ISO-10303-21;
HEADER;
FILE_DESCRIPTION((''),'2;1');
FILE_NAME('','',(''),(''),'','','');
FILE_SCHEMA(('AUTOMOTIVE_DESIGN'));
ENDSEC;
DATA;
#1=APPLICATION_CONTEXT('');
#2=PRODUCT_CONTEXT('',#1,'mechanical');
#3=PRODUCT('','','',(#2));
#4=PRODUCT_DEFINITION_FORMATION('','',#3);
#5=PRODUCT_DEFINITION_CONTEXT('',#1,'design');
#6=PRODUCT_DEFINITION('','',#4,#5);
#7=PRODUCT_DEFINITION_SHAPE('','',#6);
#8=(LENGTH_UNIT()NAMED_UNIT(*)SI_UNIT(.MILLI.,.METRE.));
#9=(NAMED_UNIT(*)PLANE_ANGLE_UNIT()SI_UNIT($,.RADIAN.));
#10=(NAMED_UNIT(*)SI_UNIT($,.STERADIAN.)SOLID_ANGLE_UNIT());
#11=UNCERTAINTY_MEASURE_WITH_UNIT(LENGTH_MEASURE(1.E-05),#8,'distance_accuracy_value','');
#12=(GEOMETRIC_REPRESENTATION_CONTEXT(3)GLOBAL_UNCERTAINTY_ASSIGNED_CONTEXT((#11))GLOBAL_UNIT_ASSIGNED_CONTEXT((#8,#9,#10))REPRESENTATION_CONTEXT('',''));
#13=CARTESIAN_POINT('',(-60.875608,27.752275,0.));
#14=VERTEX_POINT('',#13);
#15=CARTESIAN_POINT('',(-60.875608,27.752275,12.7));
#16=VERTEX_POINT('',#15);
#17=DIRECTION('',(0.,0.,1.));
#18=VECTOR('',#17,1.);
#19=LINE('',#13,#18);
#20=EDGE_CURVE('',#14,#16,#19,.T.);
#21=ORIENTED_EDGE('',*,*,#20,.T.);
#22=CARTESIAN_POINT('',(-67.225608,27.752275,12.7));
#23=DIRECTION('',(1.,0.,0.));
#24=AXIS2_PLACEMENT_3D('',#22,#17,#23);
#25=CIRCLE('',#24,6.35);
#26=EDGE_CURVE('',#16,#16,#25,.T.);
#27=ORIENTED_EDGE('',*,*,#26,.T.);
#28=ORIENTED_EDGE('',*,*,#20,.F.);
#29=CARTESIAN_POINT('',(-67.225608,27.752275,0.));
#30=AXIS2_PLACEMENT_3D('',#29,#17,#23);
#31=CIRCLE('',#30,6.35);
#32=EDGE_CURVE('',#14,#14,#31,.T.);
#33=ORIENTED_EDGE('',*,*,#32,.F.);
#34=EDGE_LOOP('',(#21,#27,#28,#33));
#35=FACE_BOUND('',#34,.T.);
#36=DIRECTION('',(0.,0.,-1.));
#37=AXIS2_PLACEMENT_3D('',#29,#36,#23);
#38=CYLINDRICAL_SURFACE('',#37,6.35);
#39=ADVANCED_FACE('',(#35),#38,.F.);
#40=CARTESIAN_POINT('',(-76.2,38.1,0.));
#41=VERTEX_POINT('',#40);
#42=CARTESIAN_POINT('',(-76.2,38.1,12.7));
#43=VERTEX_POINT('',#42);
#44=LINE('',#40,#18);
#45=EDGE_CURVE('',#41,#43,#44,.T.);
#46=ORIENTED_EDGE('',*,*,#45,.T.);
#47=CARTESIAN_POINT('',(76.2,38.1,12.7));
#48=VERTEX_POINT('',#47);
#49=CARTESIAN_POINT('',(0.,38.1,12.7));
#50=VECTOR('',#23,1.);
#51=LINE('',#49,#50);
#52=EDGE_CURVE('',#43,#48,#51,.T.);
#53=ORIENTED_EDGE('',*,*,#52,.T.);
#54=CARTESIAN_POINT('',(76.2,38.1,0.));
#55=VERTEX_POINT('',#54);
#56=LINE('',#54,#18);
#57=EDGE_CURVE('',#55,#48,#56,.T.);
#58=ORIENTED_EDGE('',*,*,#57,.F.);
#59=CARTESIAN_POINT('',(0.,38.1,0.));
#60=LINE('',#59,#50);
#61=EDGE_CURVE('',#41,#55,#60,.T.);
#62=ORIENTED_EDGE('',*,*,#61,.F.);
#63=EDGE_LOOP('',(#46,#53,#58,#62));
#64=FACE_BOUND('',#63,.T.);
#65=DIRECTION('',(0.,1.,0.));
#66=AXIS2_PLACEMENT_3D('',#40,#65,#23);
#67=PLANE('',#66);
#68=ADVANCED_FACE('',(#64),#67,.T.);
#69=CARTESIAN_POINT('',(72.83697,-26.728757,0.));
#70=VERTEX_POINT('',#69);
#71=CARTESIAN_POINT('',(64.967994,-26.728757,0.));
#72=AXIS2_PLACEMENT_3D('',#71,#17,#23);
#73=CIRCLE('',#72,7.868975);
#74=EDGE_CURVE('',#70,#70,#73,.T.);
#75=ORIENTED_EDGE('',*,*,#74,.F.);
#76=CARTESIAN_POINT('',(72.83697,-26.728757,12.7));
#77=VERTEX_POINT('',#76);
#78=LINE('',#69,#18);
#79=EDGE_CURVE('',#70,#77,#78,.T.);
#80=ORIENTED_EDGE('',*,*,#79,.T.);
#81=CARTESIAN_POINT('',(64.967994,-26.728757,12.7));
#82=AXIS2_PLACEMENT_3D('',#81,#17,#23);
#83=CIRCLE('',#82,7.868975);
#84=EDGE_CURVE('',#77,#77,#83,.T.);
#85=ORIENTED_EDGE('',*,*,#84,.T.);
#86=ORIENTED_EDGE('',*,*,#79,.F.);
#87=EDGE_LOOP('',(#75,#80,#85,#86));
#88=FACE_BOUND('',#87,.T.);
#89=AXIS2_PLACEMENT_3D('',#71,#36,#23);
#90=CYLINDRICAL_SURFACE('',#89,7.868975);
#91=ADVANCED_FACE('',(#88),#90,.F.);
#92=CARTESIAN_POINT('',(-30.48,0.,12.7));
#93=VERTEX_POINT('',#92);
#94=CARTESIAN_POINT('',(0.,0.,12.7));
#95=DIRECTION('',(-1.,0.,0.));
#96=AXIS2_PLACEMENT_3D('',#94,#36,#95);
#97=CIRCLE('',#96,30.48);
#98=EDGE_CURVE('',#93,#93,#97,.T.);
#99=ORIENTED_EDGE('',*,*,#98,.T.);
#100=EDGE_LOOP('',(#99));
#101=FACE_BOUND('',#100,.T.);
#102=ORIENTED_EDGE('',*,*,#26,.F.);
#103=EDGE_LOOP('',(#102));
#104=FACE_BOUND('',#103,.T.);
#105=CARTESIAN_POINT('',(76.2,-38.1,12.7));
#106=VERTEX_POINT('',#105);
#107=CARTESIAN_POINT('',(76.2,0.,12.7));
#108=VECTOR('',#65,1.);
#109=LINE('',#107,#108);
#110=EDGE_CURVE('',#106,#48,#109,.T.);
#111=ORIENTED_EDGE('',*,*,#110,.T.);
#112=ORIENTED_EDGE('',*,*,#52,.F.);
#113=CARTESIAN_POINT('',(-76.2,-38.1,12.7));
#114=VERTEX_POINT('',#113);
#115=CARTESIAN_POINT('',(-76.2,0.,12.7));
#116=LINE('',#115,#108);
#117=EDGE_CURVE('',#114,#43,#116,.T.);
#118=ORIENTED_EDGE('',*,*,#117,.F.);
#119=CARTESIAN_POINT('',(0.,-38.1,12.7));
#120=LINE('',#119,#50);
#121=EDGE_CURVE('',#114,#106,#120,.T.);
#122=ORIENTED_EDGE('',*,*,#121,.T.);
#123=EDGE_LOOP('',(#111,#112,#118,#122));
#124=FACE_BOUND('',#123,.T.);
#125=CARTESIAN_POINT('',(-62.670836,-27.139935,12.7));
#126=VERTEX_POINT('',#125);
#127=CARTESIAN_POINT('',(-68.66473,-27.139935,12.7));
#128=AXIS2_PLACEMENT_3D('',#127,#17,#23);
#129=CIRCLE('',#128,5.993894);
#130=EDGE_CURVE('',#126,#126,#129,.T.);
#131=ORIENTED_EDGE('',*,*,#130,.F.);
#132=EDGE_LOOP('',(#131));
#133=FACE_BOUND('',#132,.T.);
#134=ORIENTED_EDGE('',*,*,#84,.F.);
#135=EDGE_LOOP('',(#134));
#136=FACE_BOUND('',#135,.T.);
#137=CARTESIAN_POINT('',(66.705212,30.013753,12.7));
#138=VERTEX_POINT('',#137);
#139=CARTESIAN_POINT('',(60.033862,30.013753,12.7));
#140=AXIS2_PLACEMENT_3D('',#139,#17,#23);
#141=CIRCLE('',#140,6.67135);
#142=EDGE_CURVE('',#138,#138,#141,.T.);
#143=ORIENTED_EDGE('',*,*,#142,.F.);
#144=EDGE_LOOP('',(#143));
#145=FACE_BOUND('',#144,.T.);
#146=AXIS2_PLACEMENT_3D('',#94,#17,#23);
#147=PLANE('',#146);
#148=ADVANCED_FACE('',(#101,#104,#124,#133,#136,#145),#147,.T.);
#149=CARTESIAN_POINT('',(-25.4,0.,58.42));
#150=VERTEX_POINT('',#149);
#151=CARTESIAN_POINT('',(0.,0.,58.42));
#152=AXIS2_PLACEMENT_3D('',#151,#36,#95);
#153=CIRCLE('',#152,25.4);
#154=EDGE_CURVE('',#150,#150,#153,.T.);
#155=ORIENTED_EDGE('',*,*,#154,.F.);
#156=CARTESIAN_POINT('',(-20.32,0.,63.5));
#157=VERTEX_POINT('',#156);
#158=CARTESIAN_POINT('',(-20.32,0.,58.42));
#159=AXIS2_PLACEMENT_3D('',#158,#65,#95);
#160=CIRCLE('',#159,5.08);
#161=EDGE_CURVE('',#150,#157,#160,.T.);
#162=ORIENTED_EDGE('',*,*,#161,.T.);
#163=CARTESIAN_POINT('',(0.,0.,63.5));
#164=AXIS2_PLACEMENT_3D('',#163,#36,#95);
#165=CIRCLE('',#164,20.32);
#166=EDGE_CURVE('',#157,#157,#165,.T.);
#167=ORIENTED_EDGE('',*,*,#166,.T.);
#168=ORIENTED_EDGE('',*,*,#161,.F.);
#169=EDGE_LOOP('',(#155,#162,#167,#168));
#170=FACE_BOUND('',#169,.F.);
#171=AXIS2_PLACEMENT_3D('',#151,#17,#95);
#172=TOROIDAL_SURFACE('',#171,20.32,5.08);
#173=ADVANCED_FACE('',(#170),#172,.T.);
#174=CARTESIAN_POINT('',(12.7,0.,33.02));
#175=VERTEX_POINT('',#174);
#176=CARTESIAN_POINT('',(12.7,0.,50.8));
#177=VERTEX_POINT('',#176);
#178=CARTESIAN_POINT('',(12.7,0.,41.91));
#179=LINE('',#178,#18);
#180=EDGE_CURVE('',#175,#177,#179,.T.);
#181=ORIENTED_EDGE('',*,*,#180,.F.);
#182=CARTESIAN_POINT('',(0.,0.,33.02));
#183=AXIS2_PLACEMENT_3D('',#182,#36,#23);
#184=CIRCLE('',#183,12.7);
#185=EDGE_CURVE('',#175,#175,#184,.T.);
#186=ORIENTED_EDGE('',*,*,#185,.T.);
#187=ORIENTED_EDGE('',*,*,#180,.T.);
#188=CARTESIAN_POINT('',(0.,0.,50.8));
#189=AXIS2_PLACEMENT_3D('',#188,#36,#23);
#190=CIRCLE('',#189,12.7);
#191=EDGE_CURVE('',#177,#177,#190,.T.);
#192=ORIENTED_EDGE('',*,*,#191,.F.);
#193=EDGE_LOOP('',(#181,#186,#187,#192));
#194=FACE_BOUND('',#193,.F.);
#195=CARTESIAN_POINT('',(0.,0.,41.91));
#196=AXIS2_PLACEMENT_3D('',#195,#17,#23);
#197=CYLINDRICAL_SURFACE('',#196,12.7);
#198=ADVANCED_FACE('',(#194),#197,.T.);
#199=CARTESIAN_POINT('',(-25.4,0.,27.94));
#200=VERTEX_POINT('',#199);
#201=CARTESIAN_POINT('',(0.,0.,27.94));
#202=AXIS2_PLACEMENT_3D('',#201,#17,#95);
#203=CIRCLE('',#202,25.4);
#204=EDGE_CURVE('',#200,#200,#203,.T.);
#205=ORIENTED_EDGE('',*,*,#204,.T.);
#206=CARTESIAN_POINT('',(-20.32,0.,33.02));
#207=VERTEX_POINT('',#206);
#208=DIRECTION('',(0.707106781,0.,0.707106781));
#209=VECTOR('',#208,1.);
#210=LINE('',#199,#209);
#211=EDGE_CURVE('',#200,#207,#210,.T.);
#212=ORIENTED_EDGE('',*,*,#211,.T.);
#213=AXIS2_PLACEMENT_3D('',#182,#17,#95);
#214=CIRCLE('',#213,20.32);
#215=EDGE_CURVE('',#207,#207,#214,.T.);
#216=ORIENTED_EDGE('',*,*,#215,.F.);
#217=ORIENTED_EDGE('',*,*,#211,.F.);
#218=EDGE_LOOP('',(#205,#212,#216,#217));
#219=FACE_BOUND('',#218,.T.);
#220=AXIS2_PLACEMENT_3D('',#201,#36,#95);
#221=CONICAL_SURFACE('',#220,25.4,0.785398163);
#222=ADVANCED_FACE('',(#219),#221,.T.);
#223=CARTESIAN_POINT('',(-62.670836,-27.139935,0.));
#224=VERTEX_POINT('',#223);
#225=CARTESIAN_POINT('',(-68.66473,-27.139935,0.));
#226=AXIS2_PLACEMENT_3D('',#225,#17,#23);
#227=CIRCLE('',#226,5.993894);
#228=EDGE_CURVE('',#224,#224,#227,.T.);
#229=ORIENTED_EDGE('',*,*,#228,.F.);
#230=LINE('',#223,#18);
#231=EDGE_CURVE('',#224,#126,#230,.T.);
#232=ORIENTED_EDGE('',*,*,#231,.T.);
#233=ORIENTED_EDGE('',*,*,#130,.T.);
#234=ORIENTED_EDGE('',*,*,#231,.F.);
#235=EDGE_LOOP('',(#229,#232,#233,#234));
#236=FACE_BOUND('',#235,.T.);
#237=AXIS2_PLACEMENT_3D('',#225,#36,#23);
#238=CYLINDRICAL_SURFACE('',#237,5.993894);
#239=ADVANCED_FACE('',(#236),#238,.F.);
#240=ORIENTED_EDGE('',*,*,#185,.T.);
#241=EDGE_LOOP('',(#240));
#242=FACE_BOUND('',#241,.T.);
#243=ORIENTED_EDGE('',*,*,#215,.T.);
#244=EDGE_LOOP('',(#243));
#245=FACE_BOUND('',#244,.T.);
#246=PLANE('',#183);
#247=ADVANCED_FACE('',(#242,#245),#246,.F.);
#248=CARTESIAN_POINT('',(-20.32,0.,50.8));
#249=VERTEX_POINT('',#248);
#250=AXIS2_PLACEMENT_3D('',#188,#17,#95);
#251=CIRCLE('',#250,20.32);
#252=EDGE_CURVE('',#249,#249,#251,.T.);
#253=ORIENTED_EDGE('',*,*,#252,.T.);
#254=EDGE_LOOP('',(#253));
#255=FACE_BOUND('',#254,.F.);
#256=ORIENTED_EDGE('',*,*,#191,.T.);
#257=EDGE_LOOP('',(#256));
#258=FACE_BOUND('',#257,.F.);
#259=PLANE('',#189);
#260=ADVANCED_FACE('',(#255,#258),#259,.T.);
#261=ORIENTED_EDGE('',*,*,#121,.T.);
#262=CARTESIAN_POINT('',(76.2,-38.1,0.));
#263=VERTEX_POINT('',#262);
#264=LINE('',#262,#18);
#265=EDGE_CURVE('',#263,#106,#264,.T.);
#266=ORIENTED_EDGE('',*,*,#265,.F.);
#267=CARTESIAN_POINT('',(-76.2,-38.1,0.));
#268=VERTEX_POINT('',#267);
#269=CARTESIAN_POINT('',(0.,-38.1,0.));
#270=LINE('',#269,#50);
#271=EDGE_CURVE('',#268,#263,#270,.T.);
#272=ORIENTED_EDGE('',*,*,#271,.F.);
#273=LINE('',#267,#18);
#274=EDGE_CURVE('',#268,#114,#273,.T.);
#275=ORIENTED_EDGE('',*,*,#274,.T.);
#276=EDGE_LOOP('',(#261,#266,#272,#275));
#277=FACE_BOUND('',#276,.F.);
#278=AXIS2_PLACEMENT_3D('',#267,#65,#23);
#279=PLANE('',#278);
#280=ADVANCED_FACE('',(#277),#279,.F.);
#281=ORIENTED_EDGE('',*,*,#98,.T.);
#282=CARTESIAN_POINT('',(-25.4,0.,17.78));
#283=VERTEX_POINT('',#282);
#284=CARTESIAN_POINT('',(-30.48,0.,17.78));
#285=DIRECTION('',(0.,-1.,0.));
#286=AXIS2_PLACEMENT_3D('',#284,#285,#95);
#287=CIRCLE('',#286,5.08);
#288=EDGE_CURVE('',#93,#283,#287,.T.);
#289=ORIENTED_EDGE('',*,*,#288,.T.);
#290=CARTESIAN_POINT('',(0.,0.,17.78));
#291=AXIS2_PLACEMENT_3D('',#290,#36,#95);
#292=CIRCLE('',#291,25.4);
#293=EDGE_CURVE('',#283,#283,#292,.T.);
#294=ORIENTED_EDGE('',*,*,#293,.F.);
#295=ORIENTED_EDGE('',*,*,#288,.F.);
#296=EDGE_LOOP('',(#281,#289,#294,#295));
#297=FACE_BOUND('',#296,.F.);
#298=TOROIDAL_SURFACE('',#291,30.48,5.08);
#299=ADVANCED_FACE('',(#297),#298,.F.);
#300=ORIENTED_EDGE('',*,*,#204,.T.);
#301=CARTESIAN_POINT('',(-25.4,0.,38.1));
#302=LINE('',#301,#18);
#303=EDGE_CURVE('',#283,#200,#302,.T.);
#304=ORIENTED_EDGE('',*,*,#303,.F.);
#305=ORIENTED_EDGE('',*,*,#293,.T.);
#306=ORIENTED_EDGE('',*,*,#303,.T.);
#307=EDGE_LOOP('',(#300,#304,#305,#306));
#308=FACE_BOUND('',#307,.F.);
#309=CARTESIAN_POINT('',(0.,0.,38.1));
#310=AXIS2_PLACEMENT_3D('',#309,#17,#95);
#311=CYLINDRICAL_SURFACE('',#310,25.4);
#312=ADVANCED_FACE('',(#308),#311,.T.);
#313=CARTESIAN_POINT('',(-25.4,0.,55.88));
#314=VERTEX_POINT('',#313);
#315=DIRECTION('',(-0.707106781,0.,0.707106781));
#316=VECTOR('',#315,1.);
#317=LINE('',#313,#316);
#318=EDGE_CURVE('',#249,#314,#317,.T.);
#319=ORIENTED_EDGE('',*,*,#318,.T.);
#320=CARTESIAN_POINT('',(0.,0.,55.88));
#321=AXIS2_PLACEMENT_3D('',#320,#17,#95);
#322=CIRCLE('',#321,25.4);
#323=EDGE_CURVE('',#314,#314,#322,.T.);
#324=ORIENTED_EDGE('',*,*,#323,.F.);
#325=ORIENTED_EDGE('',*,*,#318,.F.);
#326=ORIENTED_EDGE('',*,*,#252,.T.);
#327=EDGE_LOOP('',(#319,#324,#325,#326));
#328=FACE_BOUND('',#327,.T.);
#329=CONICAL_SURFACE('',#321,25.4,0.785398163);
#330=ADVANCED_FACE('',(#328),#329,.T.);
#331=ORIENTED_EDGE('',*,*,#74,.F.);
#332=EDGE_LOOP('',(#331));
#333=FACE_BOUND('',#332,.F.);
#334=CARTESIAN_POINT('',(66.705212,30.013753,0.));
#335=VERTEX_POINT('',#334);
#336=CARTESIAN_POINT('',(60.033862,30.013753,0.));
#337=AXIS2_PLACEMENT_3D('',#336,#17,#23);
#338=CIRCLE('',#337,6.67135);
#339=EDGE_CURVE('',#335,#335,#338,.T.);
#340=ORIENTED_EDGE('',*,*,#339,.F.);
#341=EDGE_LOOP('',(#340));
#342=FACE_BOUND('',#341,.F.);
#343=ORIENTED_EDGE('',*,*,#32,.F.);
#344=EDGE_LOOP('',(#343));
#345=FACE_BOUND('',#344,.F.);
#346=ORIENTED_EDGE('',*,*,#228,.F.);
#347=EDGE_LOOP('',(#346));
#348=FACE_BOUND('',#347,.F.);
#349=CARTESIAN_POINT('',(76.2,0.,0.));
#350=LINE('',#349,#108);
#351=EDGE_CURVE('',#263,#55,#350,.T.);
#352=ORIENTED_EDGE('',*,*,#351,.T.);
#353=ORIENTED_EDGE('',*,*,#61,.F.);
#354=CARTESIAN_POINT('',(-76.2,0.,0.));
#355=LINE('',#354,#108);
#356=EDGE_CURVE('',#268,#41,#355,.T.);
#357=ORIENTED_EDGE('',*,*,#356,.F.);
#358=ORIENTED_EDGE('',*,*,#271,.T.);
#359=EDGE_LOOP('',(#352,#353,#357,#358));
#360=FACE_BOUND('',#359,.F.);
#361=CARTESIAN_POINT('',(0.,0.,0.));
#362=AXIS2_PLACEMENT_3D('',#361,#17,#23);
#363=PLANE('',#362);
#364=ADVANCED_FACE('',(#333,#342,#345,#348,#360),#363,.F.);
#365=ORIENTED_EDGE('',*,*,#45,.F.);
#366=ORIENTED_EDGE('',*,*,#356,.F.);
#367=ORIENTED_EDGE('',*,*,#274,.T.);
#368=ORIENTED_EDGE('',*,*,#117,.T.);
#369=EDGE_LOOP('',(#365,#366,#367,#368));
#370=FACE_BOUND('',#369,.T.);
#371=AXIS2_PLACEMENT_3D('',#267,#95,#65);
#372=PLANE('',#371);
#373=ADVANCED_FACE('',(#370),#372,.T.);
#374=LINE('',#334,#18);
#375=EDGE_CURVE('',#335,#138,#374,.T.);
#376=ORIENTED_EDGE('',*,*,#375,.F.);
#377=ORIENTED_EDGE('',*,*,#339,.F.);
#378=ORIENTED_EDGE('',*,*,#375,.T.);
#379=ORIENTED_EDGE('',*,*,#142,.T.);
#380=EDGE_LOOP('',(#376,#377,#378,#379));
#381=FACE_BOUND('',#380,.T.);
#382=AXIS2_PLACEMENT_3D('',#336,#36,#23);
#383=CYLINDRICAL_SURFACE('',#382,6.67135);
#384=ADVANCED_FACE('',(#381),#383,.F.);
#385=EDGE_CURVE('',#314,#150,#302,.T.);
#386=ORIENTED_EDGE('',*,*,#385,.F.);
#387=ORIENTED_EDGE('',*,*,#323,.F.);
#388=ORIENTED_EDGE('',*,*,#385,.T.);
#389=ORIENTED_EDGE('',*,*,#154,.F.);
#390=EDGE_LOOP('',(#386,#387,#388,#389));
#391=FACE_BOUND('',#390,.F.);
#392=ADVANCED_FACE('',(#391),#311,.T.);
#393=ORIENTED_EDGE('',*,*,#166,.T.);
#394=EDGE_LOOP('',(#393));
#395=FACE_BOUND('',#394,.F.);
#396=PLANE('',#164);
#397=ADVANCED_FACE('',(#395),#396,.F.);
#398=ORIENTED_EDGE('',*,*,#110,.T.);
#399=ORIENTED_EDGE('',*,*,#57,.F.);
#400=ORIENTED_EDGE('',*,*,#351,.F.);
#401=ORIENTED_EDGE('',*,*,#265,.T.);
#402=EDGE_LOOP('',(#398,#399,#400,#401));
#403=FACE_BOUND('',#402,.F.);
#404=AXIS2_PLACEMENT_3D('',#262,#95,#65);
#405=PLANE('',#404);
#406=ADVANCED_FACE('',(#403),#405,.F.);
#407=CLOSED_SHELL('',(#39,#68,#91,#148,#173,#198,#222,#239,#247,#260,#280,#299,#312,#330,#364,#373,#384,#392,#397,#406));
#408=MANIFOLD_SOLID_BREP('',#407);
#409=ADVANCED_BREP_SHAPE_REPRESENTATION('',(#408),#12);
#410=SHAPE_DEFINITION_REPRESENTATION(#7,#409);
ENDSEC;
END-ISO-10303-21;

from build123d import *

# Parameters (mm, degrees)
F0_W     = 152.4
F0_H     = 76.2
F1_DEPTH = 12.7
F2_R     = 6.35
F2_R_2   = 5.9938939969
F2_R_3   = 6.6713502792
F2_R_4   = 7.8689754044
F3_DEPTH = 12.7
F4_W     = 25.4
F4_H     = 50.8
F6_W     = 17.78
F6_H     = 17.78
F8_R     = 5.08
F9_SIZE  = 5.08


with BuildPart() as f1:
    # F0 (on Top) → F1 (new body)
    with BuildSketch(Plane.XY):
        Rectangle(F0_W, F0_H)
    extrude(amount=F1_DEPTH)

    # F2 (on Top) → F3 (cut)
    with BuildSketch(Plane.XY):
        with Locations((-67.2256079361, 27.7522747686)):
            Circle(F2_R)
        with Locations((-68.6647296343, -27.1399345782)):
            Circle(F2_R_2)
        with Locations((60.0338615502, 30.0137525229)):
            Circle(F2_R_3)
        with Locations((64.9679941536, -26.7287574834)):
            Circle(F2_R_4)
    extrude(amount=F3_DEPTH, mode=Mode.SUBTRACT)

    # F4 (on Front) → F5 (revolve)
    with BuildSketch(Plane.XZ):
        with Locations((-12.7, 38.1)):
            Rectangle(F4_W, F4_H)
    revolve(axis=Axis((0, 0, 38.1), (0, 0, -1)))

    # F6 (on Front) → F7 (revolve, cut)
    with BuildSketch(Plane.XZ):
        with Locations((21.59, 41.91)):
            Rectangle(F6_W, F6_H)
    revolve(axis=Axis((0, 0, 63.5), (0, 0, -1)), mode=Mode.SUBTRACT)

    # F8
    f8_edges = [f1.edges().sort_by_distance(p)[0] for p in [
        (25.4, 0, 63.5),
        (25.4, 0, 12.7),
    ]]
    fillet(f8_edges, radius=F8_R)

    # F9
    f9_edges = [f1.edges().sort_by_distance(p)[0] for p in [
        (25.4, 0, 33.02),
        (25.4, 0, 50.8),
    ]]
    chamfer(f9_edges, length=F9_SIZE)


solid = f1.part
